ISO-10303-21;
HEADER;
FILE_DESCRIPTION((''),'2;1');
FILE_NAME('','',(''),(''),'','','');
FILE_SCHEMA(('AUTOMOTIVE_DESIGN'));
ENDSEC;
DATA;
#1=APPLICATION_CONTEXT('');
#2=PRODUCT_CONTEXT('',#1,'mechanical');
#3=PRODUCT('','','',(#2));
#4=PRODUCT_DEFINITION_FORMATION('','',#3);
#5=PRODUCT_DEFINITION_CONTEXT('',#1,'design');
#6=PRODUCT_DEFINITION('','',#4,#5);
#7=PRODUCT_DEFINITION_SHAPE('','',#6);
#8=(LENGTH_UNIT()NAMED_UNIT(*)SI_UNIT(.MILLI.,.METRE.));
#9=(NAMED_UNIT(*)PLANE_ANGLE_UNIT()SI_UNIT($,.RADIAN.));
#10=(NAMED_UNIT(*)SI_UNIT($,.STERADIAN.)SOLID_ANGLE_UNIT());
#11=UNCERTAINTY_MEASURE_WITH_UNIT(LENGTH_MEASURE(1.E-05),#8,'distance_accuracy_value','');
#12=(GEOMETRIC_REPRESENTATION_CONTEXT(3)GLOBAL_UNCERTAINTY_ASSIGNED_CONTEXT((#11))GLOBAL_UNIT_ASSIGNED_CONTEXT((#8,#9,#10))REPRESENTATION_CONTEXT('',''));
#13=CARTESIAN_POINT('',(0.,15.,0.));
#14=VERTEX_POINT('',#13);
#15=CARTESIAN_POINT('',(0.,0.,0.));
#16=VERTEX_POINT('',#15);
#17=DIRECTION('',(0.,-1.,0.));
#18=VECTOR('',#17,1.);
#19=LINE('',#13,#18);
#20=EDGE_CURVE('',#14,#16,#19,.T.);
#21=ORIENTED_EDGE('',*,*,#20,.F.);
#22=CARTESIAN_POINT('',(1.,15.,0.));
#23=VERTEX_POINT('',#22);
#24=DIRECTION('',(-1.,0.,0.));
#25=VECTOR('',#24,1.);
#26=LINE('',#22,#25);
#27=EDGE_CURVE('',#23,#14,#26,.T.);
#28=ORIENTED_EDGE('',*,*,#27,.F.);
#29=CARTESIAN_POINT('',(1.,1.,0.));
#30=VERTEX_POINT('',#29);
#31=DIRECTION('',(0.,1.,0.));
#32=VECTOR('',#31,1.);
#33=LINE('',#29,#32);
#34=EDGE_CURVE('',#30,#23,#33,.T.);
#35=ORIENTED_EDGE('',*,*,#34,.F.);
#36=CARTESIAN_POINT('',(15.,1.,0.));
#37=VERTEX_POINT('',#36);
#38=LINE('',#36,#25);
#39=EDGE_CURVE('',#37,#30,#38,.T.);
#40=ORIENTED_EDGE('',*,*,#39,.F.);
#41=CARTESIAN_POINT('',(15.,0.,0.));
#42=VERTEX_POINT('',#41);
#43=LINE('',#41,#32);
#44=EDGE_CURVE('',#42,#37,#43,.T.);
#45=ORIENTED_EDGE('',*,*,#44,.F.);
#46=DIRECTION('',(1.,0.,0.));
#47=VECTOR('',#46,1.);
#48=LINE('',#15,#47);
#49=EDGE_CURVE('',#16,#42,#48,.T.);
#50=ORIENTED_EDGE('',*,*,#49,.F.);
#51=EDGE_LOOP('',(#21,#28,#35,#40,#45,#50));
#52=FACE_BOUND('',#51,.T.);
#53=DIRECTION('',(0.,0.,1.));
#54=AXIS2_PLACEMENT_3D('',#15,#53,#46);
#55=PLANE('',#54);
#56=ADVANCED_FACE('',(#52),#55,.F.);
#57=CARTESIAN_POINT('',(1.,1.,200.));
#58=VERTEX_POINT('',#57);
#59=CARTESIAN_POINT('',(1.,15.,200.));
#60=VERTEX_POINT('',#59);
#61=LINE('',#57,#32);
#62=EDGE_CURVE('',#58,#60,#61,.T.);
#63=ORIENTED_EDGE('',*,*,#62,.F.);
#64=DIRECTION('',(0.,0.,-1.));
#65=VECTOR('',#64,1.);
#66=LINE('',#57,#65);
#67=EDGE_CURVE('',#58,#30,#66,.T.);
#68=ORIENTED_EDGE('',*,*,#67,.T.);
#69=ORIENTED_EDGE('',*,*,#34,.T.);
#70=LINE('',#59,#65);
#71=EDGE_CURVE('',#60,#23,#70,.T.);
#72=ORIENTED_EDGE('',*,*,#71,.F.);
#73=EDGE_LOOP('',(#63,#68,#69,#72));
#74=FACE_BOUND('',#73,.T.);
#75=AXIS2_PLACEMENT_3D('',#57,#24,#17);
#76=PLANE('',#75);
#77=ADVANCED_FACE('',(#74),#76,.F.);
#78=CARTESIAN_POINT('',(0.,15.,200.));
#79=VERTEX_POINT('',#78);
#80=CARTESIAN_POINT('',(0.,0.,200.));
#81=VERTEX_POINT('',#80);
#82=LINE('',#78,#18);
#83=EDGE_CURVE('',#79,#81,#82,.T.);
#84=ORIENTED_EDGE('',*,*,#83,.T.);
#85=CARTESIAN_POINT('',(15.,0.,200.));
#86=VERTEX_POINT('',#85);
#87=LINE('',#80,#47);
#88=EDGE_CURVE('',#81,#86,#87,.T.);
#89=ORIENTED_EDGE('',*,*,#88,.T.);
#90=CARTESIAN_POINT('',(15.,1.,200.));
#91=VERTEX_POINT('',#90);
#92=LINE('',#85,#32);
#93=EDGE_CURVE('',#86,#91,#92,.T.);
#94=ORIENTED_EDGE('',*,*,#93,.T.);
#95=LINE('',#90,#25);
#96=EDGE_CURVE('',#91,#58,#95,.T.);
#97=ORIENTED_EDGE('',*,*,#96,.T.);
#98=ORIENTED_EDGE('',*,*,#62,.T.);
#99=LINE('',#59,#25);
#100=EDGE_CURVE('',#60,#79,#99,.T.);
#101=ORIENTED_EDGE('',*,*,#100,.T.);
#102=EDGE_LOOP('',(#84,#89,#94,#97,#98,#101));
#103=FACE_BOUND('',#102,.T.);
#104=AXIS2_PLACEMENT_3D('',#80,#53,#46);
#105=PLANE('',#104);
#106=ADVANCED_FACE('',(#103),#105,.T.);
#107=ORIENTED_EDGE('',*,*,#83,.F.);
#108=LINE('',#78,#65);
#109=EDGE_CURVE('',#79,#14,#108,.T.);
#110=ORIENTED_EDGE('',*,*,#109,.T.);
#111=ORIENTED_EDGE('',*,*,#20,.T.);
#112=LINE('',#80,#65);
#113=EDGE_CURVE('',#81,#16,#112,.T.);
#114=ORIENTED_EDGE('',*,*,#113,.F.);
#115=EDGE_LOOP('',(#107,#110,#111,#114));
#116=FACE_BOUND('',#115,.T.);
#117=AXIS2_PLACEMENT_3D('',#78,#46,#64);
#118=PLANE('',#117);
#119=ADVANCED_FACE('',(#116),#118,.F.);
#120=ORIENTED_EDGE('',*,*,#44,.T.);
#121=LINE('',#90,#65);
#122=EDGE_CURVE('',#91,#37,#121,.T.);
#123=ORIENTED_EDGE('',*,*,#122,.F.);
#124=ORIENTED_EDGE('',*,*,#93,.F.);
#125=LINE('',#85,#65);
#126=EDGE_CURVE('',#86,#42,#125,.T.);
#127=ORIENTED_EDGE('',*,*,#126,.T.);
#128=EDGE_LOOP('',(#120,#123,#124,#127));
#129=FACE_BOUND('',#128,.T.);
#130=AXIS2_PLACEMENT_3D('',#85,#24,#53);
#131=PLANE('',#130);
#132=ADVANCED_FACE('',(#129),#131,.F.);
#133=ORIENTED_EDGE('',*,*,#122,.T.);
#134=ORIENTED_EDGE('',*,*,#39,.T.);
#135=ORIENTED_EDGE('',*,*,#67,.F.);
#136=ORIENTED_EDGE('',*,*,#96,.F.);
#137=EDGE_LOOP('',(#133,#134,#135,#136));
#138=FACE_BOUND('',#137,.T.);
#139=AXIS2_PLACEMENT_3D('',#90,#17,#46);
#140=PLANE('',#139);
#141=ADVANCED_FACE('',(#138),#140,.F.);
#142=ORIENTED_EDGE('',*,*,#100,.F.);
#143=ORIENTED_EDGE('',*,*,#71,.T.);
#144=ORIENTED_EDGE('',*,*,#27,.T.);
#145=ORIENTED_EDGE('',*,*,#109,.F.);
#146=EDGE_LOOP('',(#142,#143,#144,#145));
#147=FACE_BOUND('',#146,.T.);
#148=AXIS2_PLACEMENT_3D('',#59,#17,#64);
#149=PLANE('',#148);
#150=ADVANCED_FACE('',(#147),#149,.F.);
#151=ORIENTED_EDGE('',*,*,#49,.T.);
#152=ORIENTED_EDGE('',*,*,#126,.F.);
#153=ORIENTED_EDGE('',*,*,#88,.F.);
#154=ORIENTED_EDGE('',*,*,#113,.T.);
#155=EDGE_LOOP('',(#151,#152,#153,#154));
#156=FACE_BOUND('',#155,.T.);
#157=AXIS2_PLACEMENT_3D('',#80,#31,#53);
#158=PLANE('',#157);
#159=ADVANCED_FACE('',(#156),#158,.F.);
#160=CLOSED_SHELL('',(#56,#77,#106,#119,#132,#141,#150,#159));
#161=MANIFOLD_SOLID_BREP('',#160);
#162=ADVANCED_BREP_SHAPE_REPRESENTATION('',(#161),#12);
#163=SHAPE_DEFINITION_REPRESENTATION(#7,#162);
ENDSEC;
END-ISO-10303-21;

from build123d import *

# Parameters (mm, degrees)
EXTRUDE_1_DEPTH = 200


with BuildPart() as part:
    # Эскиз1 → Бобышка-Вытянуть1 (new body)
    with BuildSketch(Plane.XY):
        Polygon((0, 0), (15, 0), (15, 1), (1, 1), (1, 15), (0, 15), align=None)
    extrude(amount=EXTRUDE_1_DEPTH)


solid = part.part
